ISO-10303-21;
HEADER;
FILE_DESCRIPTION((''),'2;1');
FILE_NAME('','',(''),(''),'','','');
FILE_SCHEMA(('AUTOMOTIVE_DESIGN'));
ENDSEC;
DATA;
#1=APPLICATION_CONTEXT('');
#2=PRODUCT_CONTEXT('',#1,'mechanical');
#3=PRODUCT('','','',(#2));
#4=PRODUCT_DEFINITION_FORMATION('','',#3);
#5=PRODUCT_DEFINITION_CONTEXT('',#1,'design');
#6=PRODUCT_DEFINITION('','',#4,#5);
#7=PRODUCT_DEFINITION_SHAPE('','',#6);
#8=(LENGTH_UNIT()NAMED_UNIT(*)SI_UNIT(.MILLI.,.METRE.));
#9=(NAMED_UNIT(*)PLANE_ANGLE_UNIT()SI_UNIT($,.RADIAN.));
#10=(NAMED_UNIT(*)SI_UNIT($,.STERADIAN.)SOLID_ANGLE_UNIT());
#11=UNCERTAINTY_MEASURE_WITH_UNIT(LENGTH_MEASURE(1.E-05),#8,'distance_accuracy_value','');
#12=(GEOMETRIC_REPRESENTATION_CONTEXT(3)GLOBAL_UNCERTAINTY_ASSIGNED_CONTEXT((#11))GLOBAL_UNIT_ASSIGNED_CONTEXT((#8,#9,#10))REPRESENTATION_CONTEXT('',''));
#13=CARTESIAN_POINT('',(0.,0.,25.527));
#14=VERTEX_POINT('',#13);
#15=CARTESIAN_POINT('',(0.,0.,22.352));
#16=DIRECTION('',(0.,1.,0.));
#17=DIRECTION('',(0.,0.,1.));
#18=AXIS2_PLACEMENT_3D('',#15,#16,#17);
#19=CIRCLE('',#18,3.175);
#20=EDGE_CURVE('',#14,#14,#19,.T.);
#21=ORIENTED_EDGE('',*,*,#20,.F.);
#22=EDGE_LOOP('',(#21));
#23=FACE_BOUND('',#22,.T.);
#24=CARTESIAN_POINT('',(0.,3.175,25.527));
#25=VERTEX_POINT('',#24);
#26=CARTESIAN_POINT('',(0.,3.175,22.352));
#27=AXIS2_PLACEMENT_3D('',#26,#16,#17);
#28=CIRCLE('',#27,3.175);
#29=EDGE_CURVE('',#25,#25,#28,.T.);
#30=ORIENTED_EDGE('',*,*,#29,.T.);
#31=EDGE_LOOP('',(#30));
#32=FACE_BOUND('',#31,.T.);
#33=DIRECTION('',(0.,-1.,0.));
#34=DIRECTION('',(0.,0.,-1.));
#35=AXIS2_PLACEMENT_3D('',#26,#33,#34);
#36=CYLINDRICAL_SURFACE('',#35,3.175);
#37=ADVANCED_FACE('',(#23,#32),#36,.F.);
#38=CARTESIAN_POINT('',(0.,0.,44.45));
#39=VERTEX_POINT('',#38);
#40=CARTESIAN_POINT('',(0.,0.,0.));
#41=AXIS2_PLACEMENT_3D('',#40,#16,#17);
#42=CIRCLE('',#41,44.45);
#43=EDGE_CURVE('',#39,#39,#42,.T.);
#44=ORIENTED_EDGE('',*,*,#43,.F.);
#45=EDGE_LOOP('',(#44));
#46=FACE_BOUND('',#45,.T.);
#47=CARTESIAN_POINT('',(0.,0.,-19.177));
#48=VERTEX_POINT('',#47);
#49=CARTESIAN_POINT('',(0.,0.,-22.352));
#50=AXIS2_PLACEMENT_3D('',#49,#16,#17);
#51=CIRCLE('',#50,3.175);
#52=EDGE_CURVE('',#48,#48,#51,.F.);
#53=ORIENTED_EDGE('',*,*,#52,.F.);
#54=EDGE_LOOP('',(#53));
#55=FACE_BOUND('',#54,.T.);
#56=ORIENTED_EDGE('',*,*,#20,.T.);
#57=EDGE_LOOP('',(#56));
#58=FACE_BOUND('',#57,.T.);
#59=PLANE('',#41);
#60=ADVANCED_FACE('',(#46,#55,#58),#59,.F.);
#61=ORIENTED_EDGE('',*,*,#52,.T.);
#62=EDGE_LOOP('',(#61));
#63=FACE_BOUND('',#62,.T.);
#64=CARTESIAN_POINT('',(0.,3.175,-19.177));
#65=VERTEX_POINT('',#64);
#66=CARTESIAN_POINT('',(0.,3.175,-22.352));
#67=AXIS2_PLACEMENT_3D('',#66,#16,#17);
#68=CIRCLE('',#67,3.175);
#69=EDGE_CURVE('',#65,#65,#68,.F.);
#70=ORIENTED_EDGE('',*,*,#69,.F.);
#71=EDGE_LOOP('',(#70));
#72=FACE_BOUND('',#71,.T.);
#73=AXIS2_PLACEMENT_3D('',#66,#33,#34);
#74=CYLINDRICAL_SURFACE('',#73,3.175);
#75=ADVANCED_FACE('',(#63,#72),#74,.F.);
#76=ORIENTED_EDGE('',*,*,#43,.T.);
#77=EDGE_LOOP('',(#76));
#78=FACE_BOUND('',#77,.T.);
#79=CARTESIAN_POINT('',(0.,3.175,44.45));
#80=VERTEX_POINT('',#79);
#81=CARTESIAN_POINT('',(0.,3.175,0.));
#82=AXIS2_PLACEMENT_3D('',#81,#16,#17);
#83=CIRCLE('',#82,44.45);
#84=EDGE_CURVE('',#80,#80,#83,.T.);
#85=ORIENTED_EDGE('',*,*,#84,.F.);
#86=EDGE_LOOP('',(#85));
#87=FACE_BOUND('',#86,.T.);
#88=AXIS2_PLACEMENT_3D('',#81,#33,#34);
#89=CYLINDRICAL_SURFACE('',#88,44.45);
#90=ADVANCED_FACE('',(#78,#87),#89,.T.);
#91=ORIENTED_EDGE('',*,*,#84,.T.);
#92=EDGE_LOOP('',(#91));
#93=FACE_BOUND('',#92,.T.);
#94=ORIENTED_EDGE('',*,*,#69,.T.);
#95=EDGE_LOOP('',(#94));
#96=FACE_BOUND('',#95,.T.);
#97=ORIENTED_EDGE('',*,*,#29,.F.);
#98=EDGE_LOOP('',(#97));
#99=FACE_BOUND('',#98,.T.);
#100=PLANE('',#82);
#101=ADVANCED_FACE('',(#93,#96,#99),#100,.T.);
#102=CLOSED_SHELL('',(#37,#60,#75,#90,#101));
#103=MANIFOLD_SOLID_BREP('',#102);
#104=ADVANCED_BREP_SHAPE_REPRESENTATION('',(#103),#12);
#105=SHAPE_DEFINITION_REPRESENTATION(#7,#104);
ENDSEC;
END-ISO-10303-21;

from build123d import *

# Parameters (mm, degrees)
SKETCH1_R           = 44.45
SKETCH1_R_2         = 3.175
BOSS_EXTRUDE1_DEPTH = 3.175


with BuildPart() as part:
    # Sketch1 → Boss-Extrude1 (new body)
    with BuildSketch(Plane(origin=(0, 0, 0), x_dir=(1, 0, 0), z_dir=(0, 1, 0))):
        Circle(SKETCH1_R)
        with Locations((0, -22.352)):
            Circle(SKETCH1_R_2, mode=Mode.SUBTRACT)
        with Locations((0, 22.352)):
            Circle(SKETCH1_R_2, mode=Mode.SUBTRACT)
    extrude(amount=BOSS_EXTRUDE1_DEPTH)


solid = part.part
